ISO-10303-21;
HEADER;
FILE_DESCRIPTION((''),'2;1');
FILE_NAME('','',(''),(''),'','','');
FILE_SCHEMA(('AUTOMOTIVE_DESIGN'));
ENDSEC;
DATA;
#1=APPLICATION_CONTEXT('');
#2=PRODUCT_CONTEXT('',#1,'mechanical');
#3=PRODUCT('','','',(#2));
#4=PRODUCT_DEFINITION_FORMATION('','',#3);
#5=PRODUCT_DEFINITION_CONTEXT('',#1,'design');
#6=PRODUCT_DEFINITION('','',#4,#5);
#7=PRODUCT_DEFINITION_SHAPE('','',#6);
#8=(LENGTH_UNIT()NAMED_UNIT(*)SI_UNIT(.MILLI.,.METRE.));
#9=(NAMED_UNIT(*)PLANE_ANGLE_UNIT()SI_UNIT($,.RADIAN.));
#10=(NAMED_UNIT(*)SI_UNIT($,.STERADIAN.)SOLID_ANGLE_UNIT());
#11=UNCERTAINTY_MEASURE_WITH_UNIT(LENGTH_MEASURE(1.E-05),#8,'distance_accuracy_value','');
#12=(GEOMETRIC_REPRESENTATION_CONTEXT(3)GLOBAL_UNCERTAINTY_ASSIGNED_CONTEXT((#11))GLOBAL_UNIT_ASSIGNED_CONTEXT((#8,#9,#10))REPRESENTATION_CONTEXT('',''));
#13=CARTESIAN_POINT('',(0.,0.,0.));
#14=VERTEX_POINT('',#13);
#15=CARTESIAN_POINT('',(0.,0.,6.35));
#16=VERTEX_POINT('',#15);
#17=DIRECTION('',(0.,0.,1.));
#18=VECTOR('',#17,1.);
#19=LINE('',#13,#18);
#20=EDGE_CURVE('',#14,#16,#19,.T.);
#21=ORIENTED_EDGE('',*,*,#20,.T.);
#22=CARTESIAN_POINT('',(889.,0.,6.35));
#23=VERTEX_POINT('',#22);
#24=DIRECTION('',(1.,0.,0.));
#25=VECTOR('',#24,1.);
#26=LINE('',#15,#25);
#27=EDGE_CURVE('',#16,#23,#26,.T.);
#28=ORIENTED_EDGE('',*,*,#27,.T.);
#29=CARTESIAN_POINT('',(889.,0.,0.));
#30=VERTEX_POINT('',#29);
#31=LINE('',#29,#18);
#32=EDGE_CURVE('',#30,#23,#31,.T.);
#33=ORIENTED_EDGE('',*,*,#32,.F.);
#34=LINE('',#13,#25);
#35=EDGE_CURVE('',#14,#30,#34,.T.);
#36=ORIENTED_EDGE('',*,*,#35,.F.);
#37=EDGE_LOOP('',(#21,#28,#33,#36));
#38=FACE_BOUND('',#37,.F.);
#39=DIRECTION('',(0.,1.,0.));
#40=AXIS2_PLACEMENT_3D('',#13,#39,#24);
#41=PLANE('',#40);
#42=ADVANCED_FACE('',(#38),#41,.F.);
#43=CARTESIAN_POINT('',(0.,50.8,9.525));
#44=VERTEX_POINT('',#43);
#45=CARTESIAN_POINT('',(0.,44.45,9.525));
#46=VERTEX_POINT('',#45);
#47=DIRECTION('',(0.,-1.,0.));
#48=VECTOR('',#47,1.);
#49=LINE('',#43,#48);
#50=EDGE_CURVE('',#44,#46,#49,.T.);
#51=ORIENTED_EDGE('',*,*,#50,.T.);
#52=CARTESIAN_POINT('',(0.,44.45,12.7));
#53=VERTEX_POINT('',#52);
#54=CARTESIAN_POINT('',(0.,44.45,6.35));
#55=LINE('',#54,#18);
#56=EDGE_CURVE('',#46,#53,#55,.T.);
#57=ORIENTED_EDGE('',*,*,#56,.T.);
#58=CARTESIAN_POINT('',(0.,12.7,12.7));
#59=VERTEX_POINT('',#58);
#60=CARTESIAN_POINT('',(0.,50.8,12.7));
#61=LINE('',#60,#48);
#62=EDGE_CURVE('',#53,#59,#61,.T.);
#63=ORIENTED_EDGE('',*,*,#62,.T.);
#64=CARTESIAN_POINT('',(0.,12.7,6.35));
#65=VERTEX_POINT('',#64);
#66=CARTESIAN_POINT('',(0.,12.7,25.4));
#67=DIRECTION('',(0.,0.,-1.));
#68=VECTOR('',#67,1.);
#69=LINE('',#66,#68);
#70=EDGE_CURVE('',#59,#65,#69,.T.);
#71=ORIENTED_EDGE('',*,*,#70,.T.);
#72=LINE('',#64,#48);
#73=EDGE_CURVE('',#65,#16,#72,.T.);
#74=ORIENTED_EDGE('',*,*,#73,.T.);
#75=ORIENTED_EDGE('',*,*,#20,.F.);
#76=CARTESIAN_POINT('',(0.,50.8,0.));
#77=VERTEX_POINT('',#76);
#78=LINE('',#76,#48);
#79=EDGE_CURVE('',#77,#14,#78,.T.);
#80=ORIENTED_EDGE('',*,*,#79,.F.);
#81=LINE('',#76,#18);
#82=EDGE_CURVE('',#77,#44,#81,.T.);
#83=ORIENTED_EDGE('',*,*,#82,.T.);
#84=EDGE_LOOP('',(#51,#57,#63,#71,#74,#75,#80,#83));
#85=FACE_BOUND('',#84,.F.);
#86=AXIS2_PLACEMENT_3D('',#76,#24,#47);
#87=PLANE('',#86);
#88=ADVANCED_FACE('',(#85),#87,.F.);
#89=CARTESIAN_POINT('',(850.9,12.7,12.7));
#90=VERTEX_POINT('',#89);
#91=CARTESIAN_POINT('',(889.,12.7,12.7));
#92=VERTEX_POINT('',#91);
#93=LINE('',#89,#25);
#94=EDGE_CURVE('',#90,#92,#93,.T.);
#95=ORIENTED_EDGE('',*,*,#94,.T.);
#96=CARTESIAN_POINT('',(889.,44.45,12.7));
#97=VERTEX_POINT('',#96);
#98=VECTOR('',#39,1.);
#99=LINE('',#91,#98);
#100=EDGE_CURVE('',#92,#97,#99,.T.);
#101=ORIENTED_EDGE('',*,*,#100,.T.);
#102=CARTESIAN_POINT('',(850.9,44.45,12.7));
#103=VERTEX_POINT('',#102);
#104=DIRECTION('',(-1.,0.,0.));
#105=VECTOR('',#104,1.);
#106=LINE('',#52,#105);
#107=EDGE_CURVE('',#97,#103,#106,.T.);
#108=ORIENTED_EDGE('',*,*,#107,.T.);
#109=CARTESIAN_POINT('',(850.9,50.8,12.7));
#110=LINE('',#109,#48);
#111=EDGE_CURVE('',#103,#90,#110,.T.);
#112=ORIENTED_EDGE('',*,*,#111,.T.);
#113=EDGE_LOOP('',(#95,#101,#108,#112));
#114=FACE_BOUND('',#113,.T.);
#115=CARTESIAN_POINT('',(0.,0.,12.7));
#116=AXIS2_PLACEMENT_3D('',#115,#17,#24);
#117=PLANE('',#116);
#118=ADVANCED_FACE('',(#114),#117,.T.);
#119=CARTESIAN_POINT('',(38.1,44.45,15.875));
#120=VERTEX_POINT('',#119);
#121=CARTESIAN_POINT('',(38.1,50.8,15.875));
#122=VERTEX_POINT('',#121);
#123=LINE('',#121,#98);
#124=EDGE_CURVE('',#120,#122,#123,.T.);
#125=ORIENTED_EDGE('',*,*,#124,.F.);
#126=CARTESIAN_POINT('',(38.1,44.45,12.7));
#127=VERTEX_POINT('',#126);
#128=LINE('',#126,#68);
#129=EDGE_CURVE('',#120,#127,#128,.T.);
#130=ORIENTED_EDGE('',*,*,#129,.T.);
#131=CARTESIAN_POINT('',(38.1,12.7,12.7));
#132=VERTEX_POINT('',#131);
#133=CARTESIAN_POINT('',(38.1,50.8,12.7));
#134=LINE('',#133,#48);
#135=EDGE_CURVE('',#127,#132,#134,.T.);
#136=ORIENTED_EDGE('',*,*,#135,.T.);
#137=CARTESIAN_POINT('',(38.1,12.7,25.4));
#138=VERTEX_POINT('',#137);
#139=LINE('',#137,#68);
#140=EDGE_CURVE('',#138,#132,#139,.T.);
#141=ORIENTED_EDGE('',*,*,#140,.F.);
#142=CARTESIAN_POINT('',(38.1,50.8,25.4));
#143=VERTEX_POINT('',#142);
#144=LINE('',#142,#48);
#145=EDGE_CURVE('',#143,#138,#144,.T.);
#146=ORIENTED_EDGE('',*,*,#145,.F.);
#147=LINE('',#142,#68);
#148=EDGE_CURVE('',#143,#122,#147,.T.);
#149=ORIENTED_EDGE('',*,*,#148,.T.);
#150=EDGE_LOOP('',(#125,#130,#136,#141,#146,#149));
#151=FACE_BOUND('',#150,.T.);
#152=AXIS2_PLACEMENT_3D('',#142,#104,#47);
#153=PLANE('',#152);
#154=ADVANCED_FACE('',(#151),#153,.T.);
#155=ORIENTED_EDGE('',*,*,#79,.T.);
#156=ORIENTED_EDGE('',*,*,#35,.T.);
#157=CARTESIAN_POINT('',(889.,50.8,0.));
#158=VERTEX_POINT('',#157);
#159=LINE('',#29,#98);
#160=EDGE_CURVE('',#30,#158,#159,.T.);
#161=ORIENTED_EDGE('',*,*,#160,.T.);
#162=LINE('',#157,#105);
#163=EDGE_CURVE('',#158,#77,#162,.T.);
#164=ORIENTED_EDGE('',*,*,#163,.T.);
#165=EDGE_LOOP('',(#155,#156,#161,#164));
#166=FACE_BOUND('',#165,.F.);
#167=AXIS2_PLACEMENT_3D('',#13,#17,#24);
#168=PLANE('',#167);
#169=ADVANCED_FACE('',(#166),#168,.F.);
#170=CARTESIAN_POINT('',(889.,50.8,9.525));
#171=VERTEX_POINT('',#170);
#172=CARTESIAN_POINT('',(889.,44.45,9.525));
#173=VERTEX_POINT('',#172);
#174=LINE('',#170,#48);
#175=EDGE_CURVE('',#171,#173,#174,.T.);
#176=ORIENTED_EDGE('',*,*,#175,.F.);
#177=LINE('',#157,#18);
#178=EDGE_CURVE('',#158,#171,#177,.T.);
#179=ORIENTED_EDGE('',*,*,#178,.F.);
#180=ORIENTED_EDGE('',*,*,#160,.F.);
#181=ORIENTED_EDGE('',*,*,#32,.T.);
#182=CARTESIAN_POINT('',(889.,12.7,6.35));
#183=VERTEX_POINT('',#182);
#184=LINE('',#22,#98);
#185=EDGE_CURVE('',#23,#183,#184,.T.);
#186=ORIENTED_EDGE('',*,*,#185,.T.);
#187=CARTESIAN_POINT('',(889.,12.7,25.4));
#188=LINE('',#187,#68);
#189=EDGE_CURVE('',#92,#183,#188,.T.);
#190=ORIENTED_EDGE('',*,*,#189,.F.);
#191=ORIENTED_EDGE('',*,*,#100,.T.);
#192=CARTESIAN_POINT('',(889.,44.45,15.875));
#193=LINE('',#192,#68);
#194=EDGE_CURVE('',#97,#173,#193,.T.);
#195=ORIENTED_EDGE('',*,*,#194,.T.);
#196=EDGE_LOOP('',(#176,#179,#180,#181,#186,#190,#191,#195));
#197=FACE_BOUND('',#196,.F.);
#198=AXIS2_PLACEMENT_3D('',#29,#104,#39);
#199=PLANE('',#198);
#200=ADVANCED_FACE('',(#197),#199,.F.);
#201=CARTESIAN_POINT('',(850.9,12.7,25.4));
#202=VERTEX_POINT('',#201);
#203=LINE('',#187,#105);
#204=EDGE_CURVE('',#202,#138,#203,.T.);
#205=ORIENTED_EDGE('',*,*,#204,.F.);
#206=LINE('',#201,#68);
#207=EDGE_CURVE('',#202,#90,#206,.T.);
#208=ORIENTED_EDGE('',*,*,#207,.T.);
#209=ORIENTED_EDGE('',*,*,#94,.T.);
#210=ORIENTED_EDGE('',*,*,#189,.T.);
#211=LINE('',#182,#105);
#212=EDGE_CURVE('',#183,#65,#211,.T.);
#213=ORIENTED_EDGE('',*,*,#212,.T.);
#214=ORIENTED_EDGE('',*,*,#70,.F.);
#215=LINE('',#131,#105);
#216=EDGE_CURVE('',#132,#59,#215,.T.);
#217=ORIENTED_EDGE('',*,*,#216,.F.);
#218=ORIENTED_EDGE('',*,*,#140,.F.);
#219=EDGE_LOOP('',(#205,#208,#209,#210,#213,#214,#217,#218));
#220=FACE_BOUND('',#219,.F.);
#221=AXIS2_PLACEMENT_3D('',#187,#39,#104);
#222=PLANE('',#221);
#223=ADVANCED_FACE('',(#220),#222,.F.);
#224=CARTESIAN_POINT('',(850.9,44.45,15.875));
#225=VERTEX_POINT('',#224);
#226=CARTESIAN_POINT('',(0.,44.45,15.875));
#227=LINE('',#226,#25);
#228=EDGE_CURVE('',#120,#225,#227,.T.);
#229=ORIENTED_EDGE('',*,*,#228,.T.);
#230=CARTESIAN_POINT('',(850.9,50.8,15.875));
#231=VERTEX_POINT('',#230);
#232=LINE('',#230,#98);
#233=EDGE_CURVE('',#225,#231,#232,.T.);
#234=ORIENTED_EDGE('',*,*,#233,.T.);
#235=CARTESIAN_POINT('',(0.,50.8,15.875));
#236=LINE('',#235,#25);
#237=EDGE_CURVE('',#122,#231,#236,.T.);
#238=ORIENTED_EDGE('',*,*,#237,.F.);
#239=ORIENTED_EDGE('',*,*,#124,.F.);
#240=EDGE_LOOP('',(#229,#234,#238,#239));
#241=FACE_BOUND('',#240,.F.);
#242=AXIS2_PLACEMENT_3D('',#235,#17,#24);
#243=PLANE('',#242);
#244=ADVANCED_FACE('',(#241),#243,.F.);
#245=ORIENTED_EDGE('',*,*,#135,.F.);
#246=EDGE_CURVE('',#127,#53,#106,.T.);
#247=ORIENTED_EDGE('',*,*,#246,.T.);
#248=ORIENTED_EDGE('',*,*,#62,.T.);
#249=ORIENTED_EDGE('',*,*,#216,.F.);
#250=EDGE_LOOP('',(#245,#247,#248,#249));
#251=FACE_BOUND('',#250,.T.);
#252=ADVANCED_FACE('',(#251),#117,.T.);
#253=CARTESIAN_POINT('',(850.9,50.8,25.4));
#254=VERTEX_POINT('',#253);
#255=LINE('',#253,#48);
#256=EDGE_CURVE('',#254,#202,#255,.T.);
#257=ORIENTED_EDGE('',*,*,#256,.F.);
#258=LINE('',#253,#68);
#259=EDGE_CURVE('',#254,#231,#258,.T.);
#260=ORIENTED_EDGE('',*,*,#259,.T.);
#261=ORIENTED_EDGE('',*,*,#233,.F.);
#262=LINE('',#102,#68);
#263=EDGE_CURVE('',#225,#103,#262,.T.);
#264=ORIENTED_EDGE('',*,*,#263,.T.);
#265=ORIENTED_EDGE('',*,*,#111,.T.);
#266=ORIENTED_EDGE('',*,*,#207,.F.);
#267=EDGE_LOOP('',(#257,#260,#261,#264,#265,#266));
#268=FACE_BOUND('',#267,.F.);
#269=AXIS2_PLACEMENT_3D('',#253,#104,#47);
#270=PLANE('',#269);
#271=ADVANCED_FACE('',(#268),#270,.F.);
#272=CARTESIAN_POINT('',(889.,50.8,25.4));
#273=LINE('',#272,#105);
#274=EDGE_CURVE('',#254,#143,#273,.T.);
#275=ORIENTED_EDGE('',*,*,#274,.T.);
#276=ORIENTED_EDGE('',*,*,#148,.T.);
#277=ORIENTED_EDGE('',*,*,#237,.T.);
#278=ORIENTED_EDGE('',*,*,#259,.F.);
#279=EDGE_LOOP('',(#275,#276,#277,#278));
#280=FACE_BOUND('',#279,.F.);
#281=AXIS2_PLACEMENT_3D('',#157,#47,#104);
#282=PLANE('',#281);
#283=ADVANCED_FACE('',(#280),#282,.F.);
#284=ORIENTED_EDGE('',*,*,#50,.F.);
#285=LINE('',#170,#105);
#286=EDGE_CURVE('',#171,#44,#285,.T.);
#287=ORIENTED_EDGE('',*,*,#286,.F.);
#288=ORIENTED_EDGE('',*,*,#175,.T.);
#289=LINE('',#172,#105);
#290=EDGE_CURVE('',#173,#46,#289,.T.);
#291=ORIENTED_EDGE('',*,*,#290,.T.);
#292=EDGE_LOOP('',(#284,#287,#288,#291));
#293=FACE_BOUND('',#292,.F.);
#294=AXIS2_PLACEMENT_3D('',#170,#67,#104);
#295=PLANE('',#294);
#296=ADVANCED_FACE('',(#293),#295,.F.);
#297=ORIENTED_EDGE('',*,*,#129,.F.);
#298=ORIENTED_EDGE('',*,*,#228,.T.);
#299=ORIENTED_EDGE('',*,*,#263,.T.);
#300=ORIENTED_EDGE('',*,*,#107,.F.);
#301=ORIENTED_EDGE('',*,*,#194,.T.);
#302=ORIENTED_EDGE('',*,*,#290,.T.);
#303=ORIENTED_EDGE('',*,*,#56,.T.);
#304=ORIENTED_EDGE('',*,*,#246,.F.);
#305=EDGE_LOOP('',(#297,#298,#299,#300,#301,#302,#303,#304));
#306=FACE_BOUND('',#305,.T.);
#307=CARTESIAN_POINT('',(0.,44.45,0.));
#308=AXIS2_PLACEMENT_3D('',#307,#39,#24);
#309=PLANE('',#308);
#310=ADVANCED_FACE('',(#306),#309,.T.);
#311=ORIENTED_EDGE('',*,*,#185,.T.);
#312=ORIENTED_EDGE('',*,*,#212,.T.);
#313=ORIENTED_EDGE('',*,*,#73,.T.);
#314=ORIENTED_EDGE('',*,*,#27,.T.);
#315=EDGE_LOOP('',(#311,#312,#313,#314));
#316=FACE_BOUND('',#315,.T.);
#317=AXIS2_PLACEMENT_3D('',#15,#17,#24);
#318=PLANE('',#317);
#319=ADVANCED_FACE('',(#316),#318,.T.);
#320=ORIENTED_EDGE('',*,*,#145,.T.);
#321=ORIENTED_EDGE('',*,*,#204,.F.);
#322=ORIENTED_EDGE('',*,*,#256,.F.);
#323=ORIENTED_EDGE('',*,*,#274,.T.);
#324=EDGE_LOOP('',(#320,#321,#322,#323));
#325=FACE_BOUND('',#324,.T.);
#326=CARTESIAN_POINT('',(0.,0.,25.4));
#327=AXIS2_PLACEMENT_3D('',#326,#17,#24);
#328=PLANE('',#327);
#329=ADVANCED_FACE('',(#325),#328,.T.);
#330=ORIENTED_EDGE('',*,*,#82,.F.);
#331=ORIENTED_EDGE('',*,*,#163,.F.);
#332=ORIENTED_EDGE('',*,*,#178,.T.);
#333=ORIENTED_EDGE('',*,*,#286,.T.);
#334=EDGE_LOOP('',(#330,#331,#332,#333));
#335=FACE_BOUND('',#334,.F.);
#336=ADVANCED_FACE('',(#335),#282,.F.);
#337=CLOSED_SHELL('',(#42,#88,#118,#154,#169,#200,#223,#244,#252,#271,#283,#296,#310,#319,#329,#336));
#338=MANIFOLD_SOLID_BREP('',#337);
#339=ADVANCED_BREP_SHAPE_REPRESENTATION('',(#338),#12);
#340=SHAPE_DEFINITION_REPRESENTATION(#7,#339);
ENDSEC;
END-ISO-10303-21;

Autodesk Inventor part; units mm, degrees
ref_plane "YZ Plane" through (0, 0, 0) normal (1, 0, 0) x (0, 1, 0)
ref_plane "XZ Plane" through (0, 0, 0) normal (0, 1, 0) x (-1, 0, 0)
ref_plane "XY Plane" through (0, 0, 0) normal (0, 0, 1) x (1, 0, 0)
sketch "Sketch1" plane through (0, 0, 0) normal (0, 0, 1) x (1, 0, 0)
  line L0 (0, 0) -> (889, 0)
  line L1 (889, 0) -> (889, 50.8)
  line L2 (889, 50.8) -> (0, 50.8)
  line L3 (0, 50.8) -> (0, 0)
  dimension "d0" = 889
  dimension "d1" = 50.8
extrude "Extrusion1" add sketch "Sketch1" along normal blind 25.4
sketch "Sketch2" plane through (0, 0, 25.4) normal (0, 0, 1) x (1, 0, 0)
  line L0 (0, 0) -> (889, 0)
  line L1 (889, 0) -> (889, 12.7)
  line L2 (889, 12.7) -> (0, 12.7)
  line L3 (0, 12.7) -> (0, 0)
  dimension "d4" = 889
  dimension "d5" = 12.7
extrude "Extrusion2" cut sketch "Sketch2" against normal blind 19.05
sketch "Sketch3" plane through (0, 0, 25.4) normal (0, 0, 1) x (1, 0, 0)
  line L0 (0, 50.8) -> (0, 0) projected
  line L1 (0, 50.8) -> (38.1, 50.8)
  line L2 (38.1, 50.8) -> (38.1, 12.7)
  line L3 (38.1, 12.7) -> (0, 12.7)
  line L4 (0, 12.7) -> (0, 50.8)
  dimension "d8" = 38.1
  dimension "d9" = 38.1
extrude "Extrusion3" cut sketch "Sketch3" against normal blind 12.7
sketch "Sketch4" plane through (0, 0, 25.4) normal (0, 0, 1) x (1, 0, 0)
  line L0 (889, 50.8) -> (850.9, 50.8)
  line L1 (850.9, 50.8) -> (850.9, 12.7)
  line L2 (850.9, 12.7) -> (889, 12.7)
  line L3 (889, 12.7) -> (889, 50.8)
  point P0 (0, 0)
  dimension "d12" = 38.1
  dimension "d13" = 38.1
extrude "Extrusion4" cut sketch "Sketch4" against normal blind 12.7
sketch "Sketch5" plane through (0, 50.8, 0) normal (0, 1, 0) x (1, 0, 0)
  line L0 (0, -6.35) -> (0, -12.7) projected
  line L1 (0, -12.7) -> (0, -15.875)
  line L2 (0, -15.875) -> (889, -15.875)
  line L3 (889, -15.875) -> (889, -9.525)
  line L4 (889, -12.7) -> (889, -6.35) projected
  line L5 (889, -9.525) -> (0, -9.525)
  line L6 (0, -9.525) -> (0, -12.7)
  dimension "d22" = 3.175
  dimension "d23" = 889
  dimension "d24" = 889
extrude "Extrusion5" cut sketch "Sketch5" against normal blind 6.35
properties part number "bottomv2" material "Wood (Cherry)"
